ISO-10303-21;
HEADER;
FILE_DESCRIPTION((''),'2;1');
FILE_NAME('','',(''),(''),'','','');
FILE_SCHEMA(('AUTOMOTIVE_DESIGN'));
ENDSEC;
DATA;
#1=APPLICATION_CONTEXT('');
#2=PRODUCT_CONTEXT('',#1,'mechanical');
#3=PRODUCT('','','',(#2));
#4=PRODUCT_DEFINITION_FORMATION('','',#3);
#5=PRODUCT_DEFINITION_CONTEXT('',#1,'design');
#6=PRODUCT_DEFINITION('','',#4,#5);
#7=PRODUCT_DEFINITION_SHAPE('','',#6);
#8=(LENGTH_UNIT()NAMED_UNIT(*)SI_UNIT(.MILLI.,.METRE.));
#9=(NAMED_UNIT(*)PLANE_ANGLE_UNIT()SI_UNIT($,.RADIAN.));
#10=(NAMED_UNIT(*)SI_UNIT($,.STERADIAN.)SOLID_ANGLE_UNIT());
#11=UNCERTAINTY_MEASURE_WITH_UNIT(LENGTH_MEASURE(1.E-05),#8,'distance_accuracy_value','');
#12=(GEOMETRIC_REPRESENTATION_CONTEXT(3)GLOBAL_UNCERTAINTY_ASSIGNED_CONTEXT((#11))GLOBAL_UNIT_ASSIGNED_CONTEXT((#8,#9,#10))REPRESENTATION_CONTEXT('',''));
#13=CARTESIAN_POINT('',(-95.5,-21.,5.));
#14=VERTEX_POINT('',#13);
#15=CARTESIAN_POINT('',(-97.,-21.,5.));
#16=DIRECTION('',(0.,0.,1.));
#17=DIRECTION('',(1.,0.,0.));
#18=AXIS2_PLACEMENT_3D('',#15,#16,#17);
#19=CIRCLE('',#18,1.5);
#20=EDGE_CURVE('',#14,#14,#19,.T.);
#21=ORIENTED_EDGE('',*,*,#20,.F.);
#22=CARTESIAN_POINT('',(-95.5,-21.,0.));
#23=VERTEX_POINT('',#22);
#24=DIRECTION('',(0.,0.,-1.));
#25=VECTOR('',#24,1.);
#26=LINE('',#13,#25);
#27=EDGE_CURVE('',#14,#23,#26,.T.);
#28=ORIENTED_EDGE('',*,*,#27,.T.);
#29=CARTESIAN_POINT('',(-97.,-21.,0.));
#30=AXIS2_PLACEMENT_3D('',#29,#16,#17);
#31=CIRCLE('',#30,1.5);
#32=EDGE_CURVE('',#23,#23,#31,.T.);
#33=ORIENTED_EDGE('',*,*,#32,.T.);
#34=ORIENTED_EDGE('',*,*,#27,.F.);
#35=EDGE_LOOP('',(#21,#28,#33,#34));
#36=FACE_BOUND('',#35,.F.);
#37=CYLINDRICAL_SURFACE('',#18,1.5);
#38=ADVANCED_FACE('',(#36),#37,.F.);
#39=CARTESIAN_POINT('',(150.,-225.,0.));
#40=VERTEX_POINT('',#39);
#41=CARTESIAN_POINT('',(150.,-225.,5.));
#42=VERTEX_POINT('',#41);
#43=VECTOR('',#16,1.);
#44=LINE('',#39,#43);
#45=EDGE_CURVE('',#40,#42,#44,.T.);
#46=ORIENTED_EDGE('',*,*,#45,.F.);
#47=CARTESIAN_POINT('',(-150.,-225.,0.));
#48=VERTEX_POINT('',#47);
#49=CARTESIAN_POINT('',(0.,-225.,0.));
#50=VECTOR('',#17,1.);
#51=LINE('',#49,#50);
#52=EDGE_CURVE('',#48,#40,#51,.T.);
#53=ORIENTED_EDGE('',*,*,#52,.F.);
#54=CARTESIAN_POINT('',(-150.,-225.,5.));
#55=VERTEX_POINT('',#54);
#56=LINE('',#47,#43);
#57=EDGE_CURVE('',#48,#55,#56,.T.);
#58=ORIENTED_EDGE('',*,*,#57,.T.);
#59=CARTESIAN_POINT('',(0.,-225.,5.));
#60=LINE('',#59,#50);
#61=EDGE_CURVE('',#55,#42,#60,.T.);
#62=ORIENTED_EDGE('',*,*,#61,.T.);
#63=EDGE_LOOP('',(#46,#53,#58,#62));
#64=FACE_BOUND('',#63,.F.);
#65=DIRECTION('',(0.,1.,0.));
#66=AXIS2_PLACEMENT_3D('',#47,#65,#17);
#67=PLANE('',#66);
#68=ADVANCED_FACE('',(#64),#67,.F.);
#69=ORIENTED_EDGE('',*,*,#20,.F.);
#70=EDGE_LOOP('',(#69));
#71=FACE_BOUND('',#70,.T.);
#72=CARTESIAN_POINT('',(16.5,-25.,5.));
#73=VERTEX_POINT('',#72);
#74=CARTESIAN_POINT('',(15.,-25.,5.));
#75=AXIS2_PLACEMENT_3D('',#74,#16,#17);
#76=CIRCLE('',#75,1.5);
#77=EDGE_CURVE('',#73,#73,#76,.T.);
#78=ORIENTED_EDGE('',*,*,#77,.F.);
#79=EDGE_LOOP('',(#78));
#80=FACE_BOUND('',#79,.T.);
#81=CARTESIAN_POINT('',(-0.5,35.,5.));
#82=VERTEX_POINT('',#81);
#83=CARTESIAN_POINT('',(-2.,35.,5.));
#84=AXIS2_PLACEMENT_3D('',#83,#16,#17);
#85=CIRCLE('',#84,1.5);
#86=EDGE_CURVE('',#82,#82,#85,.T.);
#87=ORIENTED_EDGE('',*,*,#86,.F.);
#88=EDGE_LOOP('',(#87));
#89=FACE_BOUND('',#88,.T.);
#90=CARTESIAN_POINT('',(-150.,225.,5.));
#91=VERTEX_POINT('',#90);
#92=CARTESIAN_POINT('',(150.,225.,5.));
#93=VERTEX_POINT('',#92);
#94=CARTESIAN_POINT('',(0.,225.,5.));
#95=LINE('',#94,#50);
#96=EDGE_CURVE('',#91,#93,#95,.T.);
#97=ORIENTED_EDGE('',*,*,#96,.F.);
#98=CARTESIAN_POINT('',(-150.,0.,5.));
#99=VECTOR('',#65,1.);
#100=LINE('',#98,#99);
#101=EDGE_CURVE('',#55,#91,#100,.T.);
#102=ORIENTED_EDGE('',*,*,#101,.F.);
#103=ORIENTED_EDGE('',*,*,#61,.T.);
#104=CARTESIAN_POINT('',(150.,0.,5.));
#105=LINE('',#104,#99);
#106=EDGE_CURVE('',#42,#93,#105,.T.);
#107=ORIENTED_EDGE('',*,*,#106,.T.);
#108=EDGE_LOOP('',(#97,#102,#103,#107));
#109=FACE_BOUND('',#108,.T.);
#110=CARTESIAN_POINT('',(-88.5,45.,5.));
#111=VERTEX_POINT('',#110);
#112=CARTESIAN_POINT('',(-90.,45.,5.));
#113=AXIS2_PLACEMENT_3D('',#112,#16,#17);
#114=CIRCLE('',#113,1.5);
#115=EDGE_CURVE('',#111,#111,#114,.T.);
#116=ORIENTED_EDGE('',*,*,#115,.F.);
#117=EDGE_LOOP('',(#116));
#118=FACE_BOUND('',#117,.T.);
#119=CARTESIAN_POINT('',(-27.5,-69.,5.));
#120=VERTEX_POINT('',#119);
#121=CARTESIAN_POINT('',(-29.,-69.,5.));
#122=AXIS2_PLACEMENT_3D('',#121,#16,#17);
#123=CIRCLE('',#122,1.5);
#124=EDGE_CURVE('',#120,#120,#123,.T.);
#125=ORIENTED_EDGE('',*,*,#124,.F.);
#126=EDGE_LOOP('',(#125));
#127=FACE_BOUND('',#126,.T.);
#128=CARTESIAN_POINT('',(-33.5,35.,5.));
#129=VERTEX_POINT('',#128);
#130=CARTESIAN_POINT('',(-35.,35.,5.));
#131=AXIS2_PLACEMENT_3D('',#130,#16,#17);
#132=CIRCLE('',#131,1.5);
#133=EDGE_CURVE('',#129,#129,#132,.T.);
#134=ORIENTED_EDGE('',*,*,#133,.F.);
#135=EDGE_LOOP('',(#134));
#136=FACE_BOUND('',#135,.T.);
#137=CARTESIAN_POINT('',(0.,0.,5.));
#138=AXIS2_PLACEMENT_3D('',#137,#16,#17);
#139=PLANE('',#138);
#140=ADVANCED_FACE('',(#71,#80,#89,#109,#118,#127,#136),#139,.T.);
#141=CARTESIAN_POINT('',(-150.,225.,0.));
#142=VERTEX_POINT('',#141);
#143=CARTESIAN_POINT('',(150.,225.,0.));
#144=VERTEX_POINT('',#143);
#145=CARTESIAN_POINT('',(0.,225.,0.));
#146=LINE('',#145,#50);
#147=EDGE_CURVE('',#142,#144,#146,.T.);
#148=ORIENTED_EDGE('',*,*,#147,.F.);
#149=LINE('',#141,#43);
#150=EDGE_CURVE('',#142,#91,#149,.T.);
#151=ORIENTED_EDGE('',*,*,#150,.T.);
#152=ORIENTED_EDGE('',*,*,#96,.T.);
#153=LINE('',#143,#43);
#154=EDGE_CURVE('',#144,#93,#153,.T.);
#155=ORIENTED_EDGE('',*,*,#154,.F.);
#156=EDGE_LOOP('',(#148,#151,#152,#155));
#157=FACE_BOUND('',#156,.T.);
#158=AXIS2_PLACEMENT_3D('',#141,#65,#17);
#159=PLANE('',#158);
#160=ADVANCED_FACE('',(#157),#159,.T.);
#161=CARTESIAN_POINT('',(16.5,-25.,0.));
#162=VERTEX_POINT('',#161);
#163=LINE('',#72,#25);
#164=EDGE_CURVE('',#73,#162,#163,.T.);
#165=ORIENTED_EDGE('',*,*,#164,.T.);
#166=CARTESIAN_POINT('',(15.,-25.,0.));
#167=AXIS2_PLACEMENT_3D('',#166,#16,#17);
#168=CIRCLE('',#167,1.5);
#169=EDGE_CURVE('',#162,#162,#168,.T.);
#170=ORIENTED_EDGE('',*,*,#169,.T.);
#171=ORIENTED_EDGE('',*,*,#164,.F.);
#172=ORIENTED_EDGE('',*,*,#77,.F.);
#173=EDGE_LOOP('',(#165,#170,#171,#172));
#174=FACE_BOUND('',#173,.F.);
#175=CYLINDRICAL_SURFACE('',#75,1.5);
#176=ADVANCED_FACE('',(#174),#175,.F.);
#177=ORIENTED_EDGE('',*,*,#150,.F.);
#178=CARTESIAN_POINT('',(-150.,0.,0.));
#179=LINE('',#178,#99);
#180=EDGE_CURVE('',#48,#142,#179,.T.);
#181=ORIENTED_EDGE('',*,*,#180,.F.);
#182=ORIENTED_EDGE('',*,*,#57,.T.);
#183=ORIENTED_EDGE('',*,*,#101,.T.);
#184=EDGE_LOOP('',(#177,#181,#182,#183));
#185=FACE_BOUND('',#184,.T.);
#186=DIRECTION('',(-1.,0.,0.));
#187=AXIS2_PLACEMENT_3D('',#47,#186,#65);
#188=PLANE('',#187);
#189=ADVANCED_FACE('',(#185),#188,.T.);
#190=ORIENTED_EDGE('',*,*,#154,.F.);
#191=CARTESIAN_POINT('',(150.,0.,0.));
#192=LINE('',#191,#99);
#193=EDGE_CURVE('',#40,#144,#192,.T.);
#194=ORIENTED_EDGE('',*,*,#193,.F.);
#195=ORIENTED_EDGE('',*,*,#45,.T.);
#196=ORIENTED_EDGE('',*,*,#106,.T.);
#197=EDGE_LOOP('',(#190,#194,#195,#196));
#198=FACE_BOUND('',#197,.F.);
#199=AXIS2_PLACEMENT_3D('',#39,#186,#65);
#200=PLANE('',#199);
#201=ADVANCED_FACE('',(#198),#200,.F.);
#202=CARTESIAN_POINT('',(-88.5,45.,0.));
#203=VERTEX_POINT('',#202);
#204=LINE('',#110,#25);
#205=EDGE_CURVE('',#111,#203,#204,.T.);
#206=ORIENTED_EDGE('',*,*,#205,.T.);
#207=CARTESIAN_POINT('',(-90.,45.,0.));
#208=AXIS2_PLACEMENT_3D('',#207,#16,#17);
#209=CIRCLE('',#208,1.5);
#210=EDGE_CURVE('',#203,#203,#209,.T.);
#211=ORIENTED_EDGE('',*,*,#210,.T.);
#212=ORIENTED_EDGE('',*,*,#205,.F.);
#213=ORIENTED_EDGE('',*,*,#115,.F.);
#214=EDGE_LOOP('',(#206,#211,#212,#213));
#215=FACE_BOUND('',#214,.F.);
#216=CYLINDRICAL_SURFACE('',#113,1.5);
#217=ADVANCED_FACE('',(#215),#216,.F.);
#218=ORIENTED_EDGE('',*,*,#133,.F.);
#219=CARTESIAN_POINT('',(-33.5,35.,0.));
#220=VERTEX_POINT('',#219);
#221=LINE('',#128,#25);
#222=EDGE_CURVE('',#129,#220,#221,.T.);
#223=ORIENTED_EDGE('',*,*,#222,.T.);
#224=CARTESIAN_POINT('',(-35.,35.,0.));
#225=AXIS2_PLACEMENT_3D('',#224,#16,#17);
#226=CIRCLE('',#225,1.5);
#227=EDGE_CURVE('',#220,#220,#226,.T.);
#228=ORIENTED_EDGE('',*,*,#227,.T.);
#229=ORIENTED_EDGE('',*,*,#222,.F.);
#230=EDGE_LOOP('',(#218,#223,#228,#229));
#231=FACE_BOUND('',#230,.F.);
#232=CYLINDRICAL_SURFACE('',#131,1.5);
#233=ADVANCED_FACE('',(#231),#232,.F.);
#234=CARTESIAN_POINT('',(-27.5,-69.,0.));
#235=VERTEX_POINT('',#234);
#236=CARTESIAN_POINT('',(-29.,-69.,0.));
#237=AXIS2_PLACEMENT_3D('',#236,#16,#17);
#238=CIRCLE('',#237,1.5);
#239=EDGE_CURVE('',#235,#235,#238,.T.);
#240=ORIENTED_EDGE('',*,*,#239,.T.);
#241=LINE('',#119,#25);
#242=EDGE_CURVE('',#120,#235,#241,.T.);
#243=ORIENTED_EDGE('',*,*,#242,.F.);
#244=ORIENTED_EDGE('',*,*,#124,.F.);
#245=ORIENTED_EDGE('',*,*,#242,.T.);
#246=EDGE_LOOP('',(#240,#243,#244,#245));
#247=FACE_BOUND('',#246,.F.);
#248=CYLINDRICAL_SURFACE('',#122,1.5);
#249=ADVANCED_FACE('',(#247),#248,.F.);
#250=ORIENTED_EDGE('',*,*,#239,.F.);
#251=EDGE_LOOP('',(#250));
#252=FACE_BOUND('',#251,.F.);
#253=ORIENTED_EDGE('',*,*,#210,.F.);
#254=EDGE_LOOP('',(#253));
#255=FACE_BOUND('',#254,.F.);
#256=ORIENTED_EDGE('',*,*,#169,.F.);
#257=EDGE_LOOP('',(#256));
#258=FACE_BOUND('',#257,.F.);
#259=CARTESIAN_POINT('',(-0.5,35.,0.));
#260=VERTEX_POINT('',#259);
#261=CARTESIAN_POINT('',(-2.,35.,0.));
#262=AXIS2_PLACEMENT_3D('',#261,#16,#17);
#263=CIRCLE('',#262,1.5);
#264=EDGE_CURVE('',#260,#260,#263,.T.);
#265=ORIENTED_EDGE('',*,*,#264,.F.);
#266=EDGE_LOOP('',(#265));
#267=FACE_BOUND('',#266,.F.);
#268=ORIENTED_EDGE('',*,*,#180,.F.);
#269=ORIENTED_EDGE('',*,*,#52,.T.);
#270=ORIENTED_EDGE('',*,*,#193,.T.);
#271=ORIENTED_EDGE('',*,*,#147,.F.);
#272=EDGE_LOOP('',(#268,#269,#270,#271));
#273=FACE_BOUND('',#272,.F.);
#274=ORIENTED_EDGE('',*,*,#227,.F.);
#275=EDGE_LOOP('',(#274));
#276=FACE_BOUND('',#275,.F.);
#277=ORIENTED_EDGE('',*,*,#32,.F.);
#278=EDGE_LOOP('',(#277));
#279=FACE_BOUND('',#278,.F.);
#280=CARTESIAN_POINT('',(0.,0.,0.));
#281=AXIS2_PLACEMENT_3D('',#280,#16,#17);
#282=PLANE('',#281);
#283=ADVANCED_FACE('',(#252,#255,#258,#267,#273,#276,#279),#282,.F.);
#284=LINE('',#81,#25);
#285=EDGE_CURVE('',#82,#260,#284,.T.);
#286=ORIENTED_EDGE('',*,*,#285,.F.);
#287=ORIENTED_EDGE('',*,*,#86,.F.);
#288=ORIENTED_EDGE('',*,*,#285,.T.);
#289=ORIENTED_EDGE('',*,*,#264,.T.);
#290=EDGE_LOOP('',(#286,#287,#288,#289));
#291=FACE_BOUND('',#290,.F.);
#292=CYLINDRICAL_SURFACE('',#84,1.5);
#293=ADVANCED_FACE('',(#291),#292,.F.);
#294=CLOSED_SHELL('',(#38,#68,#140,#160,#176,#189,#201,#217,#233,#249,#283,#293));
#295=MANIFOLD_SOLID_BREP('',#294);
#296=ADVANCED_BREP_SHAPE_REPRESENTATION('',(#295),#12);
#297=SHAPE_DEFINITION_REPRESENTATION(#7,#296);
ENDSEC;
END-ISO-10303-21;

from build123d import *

# Parameters (mm, degrees)
F0_W     = 300
F0_H     = 450
F1_DEPTH = 5
F2_R     = 1.5
F3_DEPTH = 25


with BuildPart() as f1:
    # F0 (on Top) → F1 (new body)
    with BuildSketch(Plane.XY):
        Rectangle(F0_W, F0_H)
    extrude(amount=F1_DEPTH)

    # F2 (on face) → F3 (cut)
    with BuildSketch(Plane.XY.offset(5)):
        with Locations((-90, 45)):
            Circle(F2_R)
        with Locations((-97, -21)):
            Circle(F2_R)
        with Locations((-35, 35)):
            Circle(F2_R)
        with Locations((-2, 35)):
            Circle(F2_R)
        with Locations((-29, -69)):
            Circle(F2_R)
        with Locations((15, -25)):
            Circle(F2_R)
    extrude(amount=-F3_DEPTH, mode=Mode.SUBTRACT)


solid = f1.part
